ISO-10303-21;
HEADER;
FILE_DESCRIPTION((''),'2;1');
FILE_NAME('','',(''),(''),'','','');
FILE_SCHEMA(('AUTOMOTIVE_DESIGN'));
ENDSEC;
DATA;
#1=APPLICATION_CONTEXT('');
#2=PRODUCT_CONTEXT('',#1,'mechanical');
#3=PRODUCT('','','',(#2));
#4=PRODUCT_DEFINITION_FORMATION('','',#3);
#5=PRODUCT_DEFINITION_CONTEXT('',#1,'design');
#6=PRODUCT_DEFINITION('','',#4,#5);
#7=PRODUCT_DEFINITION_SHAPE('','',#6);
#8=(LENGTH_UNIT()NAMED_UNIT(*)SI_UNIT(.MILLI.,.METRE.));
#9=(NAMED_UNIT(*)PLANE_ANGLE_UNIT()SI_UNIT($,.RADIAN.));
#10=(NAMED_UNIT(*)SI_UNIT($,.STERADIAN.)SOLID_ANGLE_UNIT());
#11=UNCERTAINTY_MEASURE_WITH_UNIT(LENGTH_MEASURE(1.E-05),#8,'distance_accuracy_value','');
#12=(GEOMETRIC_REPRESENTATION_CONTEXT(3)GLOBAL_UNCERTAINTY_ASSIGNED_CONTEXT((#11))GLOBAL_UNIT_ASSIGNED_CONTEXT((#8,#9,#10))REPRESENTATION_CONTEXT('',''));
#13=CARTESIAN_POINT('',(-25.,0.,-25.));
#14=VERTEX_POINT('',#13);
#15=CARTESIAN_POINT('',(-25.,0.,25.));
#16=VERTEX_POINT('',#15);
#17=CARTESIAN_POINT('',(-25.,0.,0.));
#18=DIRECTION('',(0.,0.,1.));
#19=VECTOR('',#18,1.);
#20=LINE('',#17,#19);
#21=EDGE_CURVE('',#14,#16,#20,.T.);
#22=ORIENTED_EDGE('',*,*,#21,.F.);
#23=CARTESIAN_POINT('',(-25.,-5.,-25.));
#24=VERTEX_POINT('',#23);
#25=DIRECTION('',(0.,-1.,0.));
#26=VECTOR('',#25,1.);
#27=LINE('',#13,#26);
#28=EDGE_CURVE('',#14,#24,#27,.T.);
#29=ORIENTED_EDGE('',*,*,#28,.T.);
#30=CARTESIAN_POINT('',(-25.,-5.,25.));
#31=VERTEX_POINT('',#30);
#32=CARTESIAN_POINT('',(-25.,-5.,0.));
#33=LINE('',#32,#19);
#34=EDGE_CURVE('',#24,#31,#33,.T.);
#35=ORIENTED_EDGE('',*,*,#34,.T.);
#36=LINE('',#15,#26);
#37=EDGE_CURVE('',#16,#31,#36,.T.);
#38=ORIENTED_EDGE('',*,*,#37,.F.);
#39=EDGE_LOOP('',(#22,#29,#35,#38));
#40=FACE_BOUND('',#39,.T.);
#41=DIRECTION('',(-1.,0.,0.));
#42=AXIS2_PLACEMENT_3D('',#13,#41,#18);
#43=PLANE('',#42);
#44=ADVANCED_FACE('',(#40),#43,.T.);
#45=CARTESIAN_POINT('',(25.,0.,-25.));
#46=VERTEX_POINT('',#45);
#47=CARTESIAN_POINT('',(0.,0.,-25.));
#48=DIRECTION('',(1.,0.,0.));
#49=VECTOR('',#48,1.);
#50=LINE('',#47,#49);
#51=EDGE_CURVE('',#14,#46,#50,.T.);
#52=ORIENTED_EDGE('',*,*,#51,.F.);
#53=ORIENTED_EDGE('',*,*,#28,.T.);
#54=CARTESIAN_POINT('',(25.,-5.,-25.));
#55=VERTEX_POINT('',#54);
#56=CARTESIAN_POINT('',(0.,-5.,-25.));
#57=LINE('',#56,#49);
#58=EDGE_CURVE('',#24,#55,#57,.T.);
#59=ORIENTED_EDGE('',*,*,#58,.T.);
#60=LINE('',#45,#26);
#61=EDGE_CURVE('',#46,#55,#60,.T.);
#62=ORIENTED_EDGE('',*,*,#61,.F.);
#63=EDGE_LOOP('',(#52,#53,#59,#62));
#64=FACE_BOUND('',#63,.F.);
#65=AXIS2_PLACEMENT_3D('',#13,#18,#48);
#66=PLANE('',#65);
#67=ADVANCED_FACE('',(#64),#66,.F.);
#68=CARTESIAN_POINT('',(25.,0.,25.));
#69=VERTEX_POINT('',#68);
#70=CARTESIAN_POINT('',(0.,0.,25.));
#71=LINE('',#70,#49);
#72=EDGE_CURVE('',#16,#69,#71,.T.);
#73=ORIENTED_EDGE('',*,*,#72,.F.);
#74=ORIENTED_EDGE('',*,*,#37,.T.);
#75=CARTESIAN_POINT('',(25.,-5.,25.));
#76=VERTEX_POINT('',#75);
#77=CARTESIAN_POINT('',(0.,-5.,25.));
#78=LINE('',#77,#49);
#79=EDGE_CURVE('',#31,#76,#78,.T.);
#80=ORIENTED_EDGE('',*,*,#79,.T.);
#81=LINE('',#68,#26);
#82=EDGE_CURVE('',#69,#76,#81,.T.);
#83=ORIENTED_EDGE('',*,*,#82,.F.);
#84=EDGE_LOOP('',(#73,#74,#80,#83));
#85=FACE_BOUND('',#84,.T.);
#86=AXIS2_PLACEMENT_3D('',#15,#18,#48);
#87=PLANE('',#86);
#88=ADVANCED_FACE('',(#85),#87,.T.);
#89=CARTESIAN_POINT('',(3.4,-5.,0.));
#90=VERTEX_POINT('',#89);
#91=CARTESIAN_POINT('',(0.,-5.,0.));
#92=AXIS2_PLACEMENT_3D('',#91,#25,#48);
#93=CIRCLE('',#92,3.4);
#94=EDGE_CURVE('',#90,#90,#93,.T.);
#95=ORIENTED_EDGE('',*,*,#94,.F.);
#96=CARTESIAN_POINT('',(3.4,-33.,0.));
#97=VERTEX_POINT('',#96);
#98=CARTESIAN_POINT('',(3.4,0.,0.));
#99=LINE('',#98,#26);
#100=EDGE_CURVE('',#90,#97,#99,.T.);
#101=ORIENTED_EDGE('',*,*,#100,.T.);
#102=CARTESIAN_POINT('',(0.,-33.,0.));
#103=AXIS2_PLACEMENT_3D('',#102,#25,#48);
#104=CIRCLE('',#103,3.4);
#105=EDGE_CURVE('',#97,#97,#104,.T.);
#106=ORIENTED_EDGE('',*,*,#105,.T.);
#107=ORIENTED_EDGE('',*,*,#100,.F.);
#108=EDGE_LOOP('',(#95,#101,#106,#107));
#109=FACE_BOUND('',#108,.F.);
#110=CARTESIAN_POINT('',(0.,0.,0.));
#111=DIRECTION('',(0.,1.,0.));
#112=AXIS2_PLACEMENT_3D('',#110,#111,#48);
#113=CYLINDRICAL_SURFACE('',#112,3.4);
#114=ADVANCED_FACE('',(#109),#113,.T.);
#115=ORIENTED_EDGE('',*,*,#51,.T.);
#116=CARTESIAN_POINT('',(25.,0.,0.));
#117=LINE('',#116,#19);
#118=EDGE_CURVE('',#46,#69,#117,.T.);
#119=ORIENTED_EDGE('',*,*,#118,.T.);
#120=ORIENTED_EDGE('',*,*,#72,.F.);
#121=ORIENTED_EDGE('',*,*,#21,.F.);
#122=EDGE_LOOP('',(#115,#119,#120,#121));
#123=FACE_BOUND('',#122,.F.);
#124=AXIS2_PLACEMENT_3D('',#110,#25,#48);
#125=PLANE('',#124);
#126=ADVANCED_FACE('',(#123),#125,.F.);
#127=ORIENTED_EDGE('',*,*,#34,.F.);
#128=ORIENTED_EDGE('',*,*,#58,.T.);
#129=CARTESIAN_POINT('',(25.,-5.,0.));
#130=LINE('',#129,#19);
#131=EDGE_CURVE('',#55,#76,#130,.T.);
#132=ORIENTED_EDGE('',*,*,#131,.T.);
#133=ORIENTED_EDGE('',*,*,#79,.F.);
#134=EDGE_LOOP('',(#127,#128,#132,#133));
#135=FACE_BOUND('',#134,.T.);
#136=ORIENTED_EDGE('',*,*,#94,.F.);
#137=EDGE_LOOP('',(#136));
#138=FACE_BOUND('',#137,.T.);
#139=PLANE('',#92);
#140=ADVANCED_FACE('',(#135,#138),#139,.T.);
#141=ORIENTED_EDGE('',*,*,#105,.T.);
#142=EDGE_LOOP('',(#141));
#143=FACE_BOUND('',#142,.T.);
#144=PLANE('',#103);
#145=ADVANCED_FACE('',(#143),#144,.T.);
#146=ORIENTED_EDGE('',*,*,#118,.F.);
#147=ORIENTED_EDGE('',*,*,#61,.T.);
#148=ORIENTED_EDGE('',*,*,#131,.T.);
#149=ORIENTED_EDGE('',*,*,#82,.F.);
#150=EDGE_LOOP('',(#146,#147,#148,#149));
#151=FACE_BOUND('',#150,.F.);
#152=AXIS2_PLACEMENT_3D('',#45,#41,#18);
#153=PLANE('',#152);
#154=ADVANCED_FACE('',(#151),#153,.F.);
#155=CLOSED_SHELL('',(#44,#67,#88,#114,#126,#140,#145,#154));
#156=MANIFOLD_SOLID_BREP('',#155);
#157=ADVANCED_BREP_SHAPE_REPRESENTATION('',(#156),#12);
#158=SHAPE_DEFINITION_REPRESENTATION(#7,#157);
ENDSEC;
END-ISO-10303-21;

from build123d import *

# Parameters (mm, degrees)
F0_W     = 50
F0_H     = 50
F0_R     = 3.4
F1_DEPTH = 5
F2_DEPTH = 33


with BuildPart() as f1:
    # F0 (on Front) → F1 (new body)
    with BuildSketch(Plane.XZ):
        Rectangle(F0_W, F0_H)
        Circle(F0_R, mode=Mode.SUBTRACT)
    extrude(amount=F1_DEPTH)

    # F0 (on Front) → F2 (join)
    with BuildSketch(Plane.XZ):
        Circle(F0_R)
    extrude(amount=F2_DEPTH)


solid = f1.part
